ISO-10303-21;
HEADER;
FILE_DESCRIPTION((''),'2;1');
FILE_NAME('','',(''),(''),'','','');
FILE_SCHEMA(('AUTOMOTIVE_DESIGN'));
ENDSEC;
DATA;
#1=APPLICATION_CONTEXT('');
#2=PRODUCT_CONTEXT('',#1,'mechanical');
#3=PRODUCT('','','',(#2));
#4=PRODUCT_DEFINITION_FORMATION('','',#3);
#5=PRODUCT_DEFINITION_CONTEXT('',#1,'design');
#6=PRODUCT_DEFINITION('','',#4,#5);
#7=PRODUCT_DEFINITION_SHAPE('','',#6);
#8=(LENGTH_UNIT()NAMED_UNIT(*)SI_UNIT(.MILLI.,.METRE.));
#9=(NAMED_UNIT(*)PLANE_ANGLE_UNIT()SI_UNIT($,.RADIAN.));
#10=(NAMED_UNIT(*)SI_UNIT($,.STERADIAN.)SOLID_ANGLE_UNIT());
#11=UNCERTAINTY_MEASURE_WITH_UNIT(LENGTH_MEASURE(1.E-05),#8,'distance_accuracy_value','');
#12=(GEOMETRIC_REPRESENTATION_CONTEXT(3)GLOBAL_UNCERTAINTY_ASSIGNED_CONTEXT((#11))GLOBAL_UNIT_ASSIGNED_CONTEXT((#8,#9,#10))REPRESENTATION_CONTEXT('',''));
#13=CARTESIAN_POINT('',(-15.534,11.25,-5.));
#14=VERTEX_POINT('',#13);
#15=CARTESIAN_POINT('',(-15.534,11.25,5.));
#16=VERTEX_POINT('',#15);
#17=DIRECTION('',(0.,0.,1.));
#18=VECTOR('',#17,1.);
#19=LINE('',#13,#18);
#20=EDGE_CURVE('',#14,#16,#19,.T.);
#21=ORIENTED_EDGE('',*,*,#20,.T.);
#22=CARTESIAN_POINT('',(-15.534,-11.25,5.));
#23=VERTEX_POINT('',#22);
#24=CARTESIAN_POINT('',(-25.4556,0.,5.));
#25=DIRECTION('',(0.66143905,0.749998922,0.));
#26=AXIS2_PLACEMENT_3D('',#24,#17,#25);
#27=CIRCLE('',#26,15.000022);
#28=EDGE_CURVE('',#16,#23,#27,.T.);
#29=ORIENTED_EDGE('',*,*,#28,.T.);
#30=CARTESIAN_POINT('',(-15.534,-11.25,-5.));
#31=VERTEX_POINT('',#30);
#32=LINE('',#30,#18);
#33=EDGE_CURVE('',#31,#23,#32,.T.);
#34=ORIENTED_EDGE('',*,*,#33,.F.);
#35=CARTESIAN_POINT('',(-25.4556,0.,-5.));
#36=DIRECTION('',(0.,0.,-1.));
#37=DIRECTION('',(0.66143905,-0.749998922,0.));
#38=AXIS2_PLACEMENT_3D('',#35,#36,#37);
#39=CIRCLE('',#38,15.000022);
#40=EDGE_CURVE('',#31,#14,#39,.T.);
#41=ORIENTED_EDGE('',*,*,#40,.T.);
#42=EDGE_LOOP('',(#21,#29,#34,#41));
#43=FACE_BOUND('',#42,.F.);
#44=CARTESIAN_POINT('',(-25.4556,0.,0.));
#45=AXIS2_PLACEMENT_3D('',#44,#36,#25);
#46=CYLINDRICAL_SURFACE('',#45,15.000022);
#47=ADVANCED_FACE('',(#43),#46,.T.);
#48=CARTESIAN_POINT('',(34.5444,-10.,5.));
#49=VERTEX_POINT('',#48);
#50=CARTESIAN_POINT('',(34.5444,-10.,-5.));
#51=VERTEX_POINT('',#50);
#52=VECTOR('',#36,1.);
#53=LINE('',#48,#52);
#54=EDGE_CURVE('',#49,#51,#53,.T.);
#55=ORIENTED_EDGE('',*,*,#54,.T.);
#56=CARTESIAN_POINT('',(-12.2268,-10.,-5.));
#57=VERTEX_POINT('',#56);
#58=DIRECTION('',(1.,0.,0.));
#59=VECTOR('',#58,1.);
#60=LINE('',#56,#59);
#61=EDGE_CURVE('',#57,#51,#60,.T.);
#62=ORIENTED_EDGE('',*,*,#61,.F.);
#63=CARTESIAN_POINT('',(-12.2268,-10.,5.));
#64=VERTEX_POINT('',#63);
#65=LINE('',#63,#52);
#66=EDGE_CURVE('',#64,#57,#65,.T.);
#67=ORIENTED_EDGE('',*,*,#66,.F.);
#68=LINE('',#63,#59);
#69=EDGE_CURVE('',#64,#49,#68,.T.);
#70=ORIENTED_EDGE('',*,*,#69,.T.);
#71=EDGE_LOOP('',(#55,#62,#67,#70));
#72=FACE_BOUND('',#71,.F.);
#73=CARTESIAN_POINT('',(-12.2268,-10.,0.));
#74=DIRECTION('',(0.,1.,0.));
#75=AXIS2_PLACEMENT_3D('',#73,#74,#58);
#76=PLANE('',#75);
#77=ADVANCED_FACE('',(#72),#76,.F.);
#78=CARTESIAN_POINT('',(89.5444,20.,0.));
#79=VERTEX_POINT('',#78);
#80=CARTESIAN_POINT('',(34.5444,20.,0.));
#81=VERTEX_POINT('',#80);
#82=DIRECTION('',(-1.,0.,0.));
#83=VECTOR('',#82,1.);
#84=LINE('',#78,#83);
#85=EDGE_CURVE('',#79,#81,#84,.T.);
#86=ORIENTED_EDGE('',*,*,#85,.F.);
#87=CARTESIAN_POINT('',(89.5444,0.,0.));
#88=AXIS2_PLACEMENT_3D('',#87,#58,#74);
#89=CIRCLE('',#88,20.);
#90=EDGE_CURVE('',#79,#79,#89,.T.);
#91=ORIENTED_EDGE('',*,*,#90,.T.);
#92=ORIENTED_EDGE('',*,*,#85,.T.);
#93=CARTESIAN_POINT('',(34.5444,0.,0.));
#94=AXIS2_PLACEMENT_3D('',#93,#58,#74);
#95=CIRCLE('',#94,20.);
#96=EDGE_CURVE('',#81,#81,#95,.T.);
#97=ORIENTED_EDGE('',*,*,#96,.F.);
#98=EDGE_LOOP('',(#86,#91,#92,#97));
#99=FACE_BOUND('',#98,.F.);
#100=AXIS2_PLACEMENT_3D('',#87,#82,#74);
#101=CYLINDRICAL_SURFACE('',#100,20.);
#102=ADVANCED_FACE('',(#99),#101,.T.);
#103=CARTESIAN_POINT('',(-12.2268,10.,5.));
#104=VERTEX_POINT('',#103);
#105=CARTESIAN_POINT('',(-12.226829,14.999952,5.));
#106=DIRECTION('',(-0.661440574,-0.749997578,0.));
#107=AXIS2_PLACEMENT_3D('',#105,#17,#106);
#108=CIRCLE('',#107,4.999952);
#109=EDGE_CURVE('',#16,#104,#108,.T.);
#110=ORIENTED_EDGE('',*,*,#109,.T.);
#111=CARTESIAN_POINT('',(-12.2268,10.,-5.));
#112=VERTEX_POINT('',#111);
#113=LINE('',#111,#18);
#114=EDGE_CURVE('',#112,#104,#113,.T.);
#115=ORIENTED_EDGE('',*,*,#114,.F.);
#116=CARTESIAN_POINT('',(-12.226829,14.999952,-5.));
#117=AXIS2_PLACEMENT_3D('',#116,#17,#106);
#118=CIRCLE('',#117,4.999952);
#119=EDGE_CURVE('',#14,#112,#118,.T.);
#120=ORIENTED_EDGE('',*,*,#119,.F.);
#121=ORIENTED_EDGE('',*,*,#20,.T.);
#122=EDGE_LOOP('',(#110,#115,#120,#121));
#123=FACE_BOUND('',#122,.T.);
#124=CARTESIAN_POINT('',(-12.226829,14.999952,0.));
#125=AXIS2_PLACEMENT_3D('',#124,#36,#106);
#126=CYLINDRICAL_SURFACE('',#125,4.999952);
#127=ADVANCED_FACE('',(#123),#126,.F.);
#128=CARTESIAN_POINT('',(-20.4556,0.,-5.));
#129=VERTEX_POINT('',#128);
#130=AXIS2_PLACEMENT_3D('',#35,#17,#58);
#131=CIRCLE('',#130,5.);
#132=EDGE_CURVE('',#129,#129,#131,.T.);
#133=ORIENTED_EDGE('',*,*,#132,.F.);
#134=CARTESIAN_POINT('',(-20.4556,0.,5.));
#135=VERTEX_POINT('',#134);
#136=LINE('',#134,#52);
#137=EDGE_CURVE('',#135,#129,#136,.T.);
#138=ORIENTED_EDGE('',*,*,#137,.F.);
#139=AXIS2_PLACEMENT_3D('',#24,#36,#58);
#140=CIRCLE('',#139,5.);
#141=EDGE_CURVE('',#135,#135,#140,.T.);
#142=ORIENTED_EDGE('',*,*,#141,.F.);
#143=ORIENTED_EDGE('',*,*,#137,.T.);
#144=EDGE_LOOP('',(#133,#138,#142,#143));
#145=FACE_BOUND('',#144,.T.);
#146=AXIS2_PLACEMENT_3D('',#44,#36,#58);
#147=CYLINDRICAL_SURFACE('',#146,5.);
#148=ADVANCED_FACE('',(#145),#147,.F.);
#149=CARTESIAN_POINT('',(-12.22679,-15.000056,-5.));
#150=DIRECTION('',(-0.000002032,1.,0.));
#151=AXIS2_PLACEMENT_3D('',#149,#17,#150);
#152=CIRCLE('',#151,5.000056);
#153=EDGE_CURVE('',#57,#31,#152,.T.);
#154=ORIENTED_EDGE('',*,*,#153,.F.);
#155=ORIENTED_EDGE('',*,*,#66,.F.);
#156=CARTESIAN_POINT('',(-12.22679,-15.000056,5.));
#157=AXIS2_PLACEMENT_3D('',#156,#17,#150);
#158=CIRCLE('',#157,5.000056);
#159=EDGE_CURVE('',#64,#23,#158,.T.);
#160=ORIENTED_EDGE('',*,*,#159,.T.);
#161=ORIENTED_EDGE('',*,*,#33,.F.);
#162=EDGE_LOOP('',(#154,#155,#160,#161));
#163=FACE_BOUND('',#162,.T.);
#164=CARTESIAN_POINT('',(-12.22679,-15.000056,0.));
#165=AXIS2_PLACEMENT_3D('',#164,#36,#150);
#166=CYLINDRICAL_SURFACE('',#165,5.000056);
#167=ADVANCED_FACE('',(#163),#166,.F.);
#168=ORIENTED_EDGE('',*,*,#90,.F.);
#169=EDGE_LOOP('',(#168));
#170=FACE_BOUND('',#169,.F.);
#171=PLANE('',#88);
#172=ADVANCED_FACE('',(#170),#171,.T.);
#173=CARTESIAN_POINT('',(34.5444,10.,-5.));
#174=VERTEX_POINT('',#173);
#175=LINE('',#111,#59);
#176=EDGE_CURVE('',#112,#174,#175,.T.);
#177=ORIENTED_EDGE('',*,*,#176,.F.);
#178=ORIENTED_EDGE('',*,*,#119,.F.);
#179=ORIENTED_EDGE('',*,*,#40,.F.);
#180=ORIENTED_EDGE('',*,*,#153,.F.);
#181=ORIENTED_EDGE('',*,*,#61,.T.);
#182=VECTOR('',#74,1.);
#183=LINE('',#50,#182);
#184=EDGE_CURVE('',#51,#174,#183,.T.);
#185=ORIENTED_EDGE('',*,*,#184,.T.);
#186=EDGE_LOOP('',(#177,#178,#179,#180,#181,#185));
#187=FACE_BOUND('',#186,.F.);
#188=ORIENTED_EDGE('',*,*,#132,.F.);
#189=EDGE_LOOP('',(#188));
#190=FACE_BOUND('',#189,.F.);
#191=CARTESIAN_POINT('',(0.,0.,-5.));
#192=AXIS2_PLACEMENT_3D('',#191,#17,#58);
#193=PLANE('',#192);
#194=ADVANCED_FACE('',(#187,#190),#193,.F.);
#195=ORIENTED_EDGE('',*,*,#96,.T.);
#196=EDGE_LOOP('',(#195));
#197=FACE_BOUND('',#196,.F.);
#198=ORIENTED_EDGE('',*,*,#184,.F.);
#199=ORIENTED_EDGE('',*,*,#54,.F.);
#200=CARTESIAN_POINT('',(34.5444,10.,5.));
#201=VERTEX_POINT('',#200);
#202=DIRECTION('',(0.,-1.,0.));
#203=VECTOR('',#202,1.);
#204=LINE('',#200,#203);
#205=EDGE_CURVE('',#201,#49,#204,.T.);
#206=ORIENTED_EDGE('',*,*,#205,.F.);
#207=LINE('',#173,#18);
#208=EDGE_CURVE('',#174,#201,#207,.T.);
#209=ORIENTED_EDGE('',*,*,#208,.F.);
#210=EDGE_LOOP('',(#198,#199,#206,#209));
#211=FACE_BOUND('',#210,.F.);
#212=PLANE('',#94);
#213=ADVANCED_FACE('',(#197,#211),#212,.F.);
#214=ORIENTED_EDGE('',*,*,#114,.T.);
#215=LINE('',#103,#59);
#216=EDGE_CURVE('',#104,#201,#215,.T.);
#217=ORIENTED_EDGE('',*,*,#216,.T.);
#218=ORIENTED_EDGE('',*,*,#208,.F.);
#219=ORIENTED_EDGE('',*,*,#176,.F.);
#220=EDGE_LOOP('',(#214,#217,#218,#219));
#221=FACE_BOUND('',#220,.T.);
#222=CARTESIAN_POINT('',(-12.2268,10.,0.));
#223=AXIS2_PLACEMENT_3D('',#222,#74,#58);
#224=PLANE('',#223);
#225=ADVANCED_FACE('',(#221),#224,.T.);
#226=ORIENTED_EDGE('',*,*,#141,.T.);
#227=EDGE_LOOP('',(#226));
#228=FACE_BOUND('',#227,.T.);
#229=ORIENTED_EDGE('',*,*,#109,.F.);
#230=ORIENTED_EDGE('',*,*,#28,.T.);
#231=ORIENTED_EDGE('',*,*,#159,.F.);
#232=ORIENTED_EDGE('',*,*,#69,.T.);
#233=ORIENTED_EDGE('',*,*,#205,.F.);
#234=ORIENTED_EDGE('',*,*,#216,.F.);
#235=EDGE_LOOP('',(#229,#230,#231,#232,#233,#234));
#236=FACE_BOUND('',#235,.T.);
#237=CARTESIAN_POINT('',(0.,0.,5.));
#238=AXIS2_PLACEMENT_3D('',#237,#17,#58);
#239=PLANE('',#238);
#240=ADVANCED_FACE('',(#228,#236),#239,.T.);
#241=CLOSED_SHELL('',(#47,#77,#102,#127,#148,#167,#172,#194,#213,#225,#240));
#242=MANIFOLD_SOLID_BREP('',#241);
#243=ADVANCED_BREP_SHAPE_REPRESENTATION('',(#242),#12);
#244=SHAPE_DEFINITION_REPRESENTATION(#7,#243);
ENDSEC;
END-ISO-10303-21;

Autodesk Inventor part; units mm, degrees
ref_plane "YZ Plane" through (0, 0, 0) normal (1, 0, 0) x (0, 1, 0)
ref_plane "XZ Plane" through (0, 0, 0) normal (0, 1, 0) x (-1, 0, 0)
ref_plane "XY Plane" through (0, 0, 0) normal (0, 0, 1) x (1, 0, 0)
sketch "Эскиз1" plane through (0, 0, 0) normal (0, 0, 1) x (1, 0, 0)
  line L0 (-12.2268, 10) -> (34.5444, 10)
  line L1 (-55.4556, 0) -> (49.5444, 0) projected
  line L2 (-12.2268, -10) -> (34.5444, -10)
  arc A0 (-15.534, 11.25) -> (-15.534, -11.25) centre (-25.4556, 0) ccw
  circle A1 centre (-25.4556, 0) radius 5
  line L3 (34.5444, 10) -> (34.5444, -10)
  arc A2 (-15.534, 11.25) -> (-12.2268, 10) centre (-12.2268, 15) ccw
  arc A3 (-12.2268, -10) -> (-15.534, -11.25) centre (-12.2268, -15) ccw
  point P0 (0, 0)
  point P1 (-14.2752, 10)
  point P2 (-14.2752, -10)
  dimension "d0" = 15
  dimension "d1" = 20
  dimension "d2" = 10
  dimension "d12" = 5
  dimension "d13" = 60
extrude "Выдавливание1" add sketch "Эскиз1" along normal blind 5 and the other way blind 5 contours L0 L3 L1 A1 A0 A2 | L3 L2 A3 A0 L1 A1
sketch "Эскиз4" plane through (0, 0, 0) normal (0, 0, 1) x (1, 0, 0)
  line L0 (-20.9089, 0) -> (125.4533, 0) projected
  line L1 (34.5444, 10) -> (34.5444, -10) projected
  line L2 (34.5444, 0) -> (89.5444, 0)
  line L3 (89.5444, 0) -> (89.5444, 20)
  line L4 (89.5444, 20) -> (34.5444, 20)
  line L5 (34.5444, 20) -> (34.5444, 0)
  point P0 (0, 0)
  dimension "d7" = 40
  dimension "d8" = 55
revolve "Вращение1" add sketch "Эскиз4" angle 360 about axis through (-10, 0, 0) along (1, 0, 0)
properties part number "поршень"
